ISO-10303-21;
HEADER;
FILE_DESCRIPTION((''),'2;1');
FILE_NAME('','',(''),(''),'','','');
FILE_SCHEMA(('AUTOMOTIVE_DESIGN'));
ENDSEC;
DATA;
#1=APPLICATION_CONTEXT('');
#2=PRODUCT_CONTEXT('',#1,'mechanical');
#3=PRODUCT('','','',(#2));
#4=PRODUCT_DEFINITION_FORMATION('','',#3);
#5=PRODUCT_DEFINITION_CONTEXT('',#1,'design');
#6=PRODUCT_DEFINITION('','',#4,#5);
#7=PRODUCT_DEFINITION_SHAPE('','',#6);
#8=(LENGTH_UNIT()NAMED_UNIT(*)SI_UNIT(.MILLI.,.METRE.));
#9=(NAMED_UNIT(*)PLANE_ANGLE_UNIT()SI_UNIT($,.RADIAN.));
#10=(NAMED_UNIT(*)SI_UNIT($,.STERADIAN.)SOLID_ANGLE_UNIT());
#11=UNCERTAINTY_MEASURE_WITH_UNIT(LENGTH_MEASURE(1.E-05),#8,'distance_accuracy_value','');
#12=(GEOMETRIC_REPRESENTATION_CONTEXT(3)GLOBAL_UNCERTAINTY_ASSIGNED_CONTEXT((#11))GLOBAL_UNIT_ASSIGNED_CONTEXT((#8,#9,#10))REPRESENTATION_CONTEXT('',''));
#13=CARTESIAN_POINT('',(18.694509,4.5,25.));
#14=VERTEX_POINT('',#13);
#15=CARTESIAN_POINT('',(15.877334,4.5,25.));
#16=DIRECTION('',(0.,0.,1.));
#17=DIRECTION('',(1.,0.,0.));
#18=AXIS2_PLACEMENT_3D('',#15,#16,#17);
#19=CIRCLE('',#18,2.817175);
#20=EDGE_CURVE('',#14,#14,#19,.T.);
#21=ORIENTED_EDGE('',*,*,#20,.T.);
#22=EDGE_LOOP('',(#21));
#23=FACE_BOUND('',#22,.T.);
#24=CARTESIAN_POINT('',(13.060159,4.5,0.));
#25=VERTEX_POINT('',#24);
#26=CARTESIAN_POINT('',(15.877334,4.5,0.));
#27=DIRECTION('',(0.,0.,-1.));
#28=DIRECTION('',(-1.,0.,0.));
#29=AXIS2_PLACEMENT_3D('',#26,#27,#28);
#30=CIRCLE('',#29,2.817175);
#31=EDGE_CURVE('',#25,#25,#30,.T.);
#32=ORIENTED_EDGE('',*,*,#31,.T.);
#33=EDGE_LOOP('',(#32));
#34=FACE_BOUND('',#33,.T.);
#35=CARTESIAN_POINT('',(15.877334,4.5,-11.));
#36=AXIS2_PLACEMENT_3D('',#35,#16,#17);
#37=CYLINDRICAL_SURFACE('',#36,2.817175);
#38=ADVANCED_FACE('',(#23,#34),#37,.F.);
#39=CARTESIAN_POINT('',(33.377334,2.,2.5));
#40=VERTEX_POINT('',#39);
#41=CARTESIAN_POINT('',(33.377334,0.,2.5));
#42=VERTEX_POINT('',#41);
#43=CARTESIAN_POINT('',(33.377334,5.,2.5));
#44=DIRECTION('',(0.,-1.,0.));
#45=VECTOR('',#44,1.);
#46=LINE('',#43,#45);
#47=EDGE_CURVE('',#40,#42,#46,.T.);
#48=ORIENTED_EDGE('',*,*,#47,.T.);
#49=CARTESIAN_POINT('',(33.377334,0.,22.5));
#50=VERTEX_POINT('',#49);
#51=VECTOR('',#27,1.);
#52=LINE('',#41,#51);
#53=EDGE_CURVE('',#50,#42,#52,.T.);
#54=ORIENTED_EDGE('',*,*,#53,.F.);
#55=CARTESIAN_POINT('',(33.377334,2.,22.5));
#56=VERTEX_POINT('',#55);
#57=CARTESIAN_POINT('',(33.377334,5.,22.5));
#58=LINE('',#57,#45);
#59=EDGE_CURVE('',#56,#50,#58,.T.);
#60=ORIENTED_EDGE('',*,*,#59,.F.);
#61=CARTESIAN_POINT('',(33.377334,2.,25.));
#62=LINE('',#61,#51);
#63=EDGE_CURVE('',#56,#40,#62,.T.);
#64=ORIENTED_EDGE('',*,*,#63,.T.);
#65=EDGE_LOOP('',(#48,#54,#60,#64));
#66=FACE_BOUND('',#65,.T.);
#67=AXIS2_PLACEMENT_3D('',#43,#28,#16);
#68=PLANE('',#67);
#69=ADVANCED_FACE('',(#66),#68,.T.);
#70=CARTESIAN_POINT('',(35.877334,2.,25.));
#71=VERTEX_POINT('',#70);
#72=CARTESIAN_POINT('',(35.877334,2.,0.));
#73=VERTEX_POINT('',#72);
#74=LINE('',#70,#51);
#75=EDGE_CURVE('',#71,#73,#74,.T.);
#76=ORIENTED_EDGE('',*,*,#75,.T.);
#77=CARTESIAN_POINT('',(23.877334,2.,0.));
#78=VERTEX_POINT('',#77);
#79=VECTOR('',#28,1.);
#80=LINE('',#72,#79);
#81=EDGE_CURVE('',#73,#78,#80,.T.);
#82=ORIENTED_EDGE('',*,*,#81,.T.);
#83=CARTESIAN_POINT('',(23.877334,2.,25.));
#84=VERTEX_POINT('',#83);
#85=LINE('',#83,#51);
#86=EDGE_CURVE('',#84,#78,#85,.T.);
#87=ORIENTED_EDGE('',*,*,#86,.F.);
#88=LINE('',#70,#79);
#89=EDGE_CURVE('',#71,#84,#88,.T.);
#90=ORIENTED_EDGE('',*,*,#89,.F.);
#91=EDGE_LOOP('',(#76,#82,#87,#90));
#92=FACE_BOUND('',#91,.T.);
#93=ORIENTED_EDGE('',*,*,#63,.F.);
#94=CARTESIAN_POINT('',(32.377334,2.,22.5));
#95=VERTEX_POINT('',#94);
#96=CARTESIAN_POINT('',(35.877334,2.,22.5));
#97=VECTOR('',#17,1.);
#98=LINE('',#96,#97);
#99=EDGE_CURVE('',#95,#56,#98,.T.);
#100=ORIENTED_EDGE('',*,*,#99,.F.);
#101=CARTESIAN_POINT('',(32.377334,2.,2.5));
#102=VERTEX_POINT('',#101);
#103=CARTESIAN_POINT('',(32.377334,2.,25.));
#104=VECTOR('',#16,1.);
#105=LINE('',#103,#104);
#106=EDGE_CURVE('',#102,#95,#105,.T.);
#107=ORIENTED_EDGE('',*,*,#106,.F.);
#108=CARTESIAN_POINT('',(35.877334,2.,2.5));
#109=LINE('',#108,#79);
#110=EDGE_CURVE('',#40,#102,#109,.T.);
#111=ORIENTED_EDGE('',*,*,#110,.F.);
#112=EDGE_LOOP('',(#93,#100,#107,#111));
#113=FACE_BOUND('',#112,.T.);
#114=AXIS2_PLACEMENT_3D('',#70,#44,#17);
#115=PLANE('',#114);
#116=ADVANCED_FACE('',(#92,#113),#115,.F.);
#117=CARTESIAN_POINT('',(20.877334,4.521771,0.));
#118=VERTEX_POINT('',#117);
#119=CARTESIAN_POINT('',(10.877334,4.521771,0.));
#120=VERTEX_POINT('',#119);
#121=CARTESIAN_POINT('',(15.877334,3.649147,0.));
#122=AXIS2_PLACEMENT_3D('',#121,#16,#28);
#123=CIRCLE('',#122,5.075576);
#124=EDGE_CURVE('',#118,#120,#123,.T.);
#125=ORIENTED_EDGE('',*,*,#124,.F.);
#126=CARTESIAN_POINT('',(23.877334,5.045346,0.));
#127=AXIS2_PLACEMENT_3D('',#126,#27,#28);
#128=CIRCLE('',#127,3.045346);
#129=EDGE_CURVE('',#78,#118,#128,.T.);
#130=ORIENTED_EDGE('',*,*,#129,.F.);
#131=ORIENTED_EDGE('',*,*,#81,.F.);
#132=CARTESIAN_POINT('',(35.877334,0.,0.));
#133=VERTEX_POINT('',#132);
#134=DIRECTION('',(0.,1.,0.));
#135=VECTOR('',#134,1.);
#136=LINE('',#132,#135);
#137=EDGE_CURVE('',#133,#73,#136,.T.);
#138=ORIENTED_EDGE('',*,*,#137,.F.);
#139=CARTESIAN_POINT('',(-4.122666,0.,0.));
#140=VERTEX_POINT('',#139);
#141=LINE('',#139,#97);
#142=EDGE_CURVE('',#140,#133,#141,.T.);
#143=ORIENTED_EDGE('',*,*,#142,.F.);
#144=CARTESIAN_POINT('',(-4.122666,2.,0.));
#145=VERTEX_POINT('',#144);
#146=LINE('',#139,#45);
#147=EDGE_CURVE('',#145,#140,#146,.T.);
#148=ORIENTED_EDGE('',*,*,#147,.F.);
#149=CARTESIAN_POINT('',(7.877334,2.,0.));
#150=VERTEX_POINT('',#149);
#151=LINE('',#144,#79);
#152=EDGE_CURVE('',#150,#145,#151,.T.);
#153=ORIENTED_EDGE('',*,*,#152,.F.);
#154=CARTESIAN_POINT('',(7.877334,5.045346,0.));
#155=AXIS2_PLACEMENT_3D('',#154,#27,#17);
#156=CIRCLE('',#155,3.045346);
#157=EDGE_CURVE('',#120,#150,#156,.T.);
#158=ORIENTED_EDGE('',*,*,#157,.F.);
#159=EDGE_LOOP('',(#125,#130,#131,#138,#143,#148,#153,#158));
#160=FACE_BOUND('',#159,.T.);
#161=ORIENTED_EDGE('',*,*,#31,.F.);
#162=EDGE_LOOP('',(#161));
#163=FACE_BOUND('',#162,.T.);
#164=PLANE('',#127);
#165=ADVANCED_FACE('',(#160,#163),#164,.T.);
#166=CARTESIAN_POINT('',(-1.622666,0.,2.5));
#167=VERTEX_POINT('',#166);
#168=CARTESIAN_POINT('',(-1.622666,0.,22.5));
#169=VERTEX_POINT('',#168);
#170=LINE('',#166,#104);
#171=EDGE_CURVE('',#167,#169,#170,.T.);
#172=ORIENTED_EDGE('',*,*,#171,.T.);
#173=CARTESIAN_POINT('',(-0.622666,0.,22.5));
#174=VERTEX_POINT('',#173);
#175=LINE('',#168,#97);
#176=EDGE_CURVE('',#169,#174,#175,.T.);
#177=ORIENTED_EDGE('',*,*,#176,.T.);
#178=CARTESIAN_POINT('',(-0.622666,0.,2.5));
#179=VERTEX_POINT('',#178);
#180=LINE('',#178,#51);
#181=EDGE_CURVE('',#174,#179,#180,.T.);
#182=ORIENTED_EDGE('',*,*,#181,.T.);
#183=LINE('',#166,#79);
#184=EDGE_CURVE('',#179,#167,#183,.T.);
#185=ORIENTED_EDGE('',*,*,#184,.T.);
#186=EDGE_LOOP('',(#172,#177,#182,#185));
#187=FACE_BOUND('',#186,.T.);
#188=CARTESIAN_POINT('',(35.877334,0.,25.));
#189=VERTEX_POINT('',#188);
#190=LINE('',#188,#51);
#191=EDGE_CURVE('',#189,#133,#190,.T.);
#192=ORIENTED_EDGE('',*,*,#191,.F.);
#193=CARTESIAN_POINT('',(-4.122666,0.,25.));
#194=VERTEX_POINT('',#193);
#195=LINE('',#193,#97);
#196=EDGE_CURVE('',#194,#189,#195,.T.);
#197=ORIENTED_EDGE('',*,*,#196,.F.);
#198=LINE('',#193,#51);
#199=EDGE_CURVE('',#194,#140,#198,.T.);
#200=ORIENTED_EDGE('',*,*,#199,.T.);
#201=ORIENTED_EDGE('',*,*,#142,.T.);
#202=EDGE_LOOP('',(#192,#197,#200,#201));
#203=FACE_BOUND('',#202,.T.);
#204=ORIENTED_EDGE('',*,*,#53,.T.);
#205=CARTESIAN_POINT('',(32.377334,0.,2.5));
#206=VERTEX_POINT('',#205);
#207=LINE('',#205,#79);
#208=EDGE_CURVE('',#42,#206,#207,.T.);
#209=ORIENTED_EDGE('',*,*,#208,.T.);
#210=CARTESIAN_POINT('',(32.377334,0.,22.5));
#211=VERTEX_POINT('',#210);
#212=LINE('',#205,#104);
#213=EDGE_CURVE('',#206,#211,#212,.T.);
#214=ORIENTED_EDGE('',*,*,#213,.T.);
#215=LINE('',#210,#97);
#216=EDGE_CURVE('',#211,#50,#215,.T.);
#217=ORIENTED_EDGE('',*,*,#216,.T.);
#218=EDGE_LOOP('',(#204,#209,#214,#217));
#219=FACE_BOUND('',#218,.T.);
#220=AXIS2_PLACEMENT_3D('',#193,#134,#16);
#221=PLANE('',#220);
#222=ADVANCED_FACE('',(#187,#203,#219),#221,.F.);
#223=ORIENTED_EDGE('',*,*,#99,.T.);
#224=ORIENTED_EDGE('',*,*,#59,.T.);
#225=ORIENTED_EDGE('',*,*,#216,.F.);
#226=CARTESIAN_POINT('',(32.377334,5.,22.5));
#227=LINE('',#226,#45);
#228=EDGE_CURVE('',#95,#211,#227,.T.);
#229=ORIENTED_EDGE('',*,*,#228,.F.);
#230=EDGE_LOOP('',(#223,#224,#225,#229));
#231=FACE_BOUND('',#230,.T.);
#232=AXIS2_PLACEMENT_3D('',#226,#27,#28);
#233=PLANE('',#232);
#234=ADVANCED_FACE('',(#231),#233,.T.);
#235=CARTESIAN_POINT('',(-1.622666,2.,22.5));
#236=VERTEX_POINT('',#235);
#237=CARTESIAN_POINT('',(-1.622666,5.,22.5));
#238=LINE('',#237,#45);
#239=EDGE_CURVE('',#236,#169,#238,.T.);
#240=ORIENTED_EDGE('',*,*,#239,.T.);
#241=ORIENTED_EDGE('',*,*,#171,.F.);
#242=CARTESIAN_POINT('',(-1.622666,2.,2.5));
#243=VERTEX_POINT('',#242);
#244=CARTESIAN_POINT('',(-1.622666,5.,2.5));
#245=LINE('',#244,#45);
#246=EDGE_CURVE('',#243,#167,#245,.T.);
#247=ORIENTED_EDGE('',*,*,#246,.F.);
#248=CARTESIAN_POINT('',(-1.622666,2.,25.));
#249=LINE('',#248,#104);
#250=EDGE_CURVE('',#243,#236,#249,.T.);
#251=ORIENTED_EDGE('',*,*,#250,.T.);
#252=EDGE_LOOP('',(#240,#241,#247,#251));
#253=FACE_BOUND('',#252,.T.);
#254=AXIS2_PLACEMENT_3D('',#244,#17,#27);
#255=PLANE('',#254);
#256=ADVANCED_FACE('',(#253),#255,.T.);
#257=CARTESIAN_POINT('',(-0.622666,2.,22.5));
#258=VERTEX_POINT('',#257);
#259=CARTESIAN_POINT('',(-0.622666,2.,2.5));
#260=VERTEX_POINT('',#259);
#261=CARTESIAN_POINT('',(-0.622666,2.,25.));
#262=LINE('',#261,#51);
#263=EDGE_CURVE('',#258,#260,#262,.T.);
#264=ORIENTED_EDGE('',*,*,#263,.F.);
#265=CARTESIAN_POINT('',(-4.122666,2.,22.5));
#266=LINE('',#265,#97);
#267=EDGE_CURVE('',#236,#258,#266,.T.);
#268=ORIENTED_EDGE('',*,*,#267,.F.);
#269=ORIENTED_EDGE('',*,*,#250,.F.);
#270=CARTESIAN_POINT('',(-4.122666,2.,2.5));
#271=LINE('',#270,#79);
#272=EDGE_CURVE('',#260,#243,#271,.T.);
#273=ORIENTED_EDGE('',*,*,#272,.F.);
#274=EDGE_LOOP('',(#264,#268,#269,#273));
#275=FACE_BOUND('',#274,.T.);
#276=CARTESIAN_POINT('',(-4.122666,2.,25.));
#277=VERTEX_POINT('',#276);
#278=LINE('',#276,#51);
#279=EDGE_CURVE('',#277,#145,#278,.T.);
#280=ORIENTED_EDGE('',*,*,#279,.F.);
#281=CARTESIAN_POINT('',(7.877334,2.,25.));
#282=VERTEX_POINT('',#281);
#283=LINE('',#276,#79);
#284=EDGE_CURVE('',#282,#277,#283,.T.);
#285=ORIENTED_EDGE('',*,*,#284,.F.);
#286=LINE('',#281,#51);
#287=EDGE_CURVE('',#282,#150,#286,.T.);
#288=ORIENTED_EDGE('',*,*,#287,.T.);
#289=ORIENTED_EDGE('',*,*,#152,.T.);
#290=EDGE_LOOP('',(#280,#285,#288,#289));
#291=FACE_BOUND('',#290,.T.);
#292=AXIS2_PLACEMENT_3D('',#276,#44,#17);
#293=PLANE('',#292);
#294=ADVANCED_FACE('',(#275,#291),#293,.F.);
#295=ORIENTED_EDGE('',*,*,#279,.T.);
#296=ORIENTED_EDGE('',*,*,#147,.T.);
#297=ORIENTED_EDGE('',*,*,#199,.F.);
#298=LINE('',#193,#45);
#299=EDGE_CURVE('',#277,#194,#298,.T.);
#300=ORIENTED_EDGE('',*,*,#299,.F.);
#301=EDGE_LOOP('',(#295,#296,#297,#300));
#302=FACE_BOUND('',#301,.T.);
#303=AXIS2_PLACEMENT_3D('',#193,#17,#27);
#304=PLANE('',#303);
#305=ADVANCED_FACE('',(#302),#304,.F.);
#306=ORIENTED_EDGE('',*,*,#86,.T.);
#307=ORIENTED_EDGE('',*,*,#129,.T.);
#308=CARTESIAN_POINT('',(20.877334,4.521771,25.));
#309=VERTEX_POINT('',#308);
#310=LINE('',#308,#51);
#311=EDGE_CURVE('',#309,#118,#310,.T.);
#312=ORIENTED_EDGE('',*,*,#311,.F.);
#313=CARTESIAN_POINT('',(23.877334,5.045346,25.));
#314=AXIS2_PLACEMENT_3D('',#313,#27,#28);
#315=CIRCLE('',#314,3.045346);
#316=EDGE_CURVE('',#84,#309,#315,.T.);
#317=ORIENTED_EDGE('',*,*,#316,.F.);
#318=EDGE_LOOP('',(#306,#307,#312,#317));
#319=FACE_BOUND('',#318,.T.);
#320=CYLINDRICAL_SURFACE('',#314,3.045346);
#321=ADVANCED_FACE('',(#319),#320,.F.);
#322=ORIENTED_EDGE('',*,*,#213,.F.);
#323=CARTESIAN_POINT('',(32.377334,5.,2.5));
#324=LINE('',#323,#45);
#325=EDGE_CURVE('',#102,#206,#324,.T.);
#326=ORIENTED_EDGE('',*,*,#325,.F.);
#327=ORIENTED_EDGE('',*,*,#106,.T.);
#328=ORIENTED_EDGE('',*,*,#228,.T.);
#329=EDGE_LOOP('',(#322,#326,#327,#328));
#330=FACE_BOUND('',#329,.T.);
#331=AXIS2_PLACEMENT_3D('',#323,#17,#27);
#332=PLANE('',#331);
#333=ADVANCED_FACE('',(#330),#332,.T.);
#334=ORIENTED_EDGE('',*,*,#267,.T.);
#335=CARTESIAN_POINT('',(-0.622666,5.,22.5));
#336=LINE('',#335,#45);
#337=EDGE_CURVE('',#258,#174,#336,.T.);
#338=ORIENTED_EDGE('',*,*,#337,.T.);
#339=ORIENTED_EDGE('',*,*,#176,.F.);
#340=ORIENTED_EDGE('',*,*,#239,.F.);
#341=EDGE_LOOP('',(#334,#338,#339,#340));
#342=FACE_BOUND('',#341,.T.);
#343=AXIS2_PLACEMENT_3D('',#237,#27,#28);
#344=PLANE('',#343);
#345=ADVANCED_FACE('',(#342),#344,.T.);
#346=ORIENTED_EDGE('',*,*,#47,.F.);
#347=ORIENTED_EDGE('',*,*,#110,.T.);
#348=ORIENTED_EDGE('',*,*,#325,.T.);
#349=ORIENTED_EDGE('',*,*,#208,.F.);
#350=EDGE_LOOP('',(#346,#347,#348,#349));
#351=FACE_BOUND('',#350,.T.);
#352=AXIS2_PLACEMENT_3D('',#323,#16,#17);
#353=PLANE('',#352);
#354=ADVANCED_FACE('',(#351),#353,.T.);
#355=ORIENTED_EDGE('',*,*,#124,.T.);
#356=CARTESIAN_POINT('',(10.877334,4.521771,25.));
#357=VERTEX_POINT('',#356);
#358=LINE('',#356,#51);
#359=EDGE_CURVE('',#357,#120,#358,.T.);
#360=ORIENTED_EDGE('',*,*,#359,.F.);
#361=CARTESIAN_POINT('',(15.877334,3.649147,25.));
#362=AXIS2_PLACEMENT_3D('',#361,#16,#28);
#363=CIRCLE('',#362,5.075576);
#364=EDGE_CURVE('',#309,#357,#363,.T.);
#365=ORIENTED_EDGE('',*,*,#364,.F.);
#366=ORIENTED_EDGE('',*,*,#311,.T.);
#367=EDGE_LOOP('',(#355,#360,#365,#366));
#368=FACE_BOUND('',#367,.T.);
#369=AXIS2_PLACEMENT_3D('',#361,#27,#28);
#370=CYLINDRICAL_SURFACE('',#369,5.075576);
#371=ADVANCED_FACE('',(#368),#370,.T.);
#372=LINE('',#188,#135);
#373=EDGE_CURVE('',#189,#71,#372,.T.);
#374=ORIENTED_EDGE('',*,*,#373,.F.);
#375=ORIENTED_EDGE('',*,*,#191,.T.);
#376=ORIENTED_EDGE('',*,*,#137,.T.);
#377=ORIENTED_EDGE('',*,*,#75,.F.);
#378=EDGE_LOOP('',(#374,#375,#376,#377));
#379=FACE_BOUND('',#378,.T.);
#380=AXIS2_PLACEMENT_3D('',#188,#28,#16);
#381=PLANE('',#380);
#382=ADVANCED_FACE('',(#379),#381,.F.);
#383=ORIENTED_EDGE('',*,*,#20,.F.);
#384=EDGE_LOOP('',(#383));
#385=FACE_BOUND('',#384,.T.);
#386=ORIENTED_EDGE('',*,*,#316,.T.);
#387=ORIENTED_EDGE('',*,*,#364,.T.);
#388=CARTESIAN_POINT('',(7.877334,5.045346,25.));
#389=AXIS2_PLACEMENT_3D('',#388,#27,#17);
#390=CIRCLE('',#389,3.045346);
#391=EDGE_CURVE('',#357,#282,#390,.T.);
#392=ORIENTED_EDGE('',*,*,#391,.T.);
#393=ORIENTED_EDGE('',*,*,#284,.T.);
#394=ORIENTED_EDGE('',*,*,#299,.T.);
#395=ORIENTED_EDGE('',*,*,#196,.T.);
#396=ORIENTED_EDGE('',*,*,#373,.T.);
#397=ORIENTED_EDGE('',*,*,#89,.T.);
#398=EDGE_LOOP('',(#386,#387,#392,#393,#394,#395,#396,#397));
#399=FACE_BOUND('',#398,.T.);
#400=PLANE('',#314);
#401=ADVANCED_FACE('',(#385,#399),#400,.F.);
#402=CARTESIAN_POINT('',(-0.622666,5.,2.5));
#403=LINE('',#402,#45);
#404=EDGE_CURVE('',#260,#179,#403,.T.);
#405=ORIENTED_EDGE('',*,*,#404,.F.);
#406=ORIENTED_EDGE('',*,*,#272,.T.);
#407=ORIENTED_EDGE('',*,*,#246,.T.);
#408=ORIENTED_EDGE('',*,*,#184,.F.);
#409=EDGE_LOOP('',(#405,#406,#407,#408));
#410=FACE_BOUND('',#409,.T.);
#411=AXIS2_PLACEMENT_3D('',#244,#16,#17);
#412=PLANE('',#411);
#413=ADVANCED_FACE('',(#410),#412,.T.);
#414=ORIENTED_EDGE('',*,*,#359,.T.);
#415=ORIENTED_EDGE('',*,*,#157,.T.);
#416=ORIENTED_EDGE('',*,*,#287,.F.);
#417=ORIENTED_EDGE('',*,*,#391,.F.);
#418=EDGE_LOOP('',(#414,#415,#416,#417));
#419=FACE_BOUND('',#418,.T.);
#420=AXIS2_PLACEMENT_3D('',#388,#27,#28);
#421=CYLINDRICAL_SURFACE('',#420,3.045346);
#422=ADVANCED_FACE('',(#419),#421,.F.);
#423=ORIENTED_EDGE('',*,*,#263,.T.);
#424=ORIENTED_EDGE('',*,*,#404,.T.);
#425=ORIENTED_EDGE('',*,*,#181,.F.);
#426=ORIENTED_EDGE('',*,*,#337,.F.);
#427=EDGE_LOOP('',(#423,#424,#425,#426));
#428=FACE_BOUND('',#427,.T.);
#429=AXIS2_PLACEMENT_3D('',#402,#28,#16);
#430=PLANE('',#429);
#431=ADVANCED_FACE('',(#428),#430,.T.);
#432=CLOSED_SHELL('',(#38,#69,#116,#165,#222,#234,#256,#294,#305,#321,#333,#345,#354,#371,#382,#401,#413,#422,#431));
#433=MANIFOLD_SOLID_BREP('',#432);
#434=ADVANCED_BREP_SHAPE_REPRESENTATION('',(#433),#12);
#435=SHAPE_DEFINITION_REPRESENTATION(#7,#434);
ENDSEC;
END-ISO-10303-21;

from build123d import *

# Parameters (mm, degrees)
BOSS_EXTRUDE2_DEPTH = 25
SKETCH3_W           = 1
SKETCH3_H           = 20
CUT_EXTRUDE2_DEPTH  = 5
SKETCH4_R           = 2.817174782
CUT_EXTRUDE3_DEPTH  = 36


with BuildPart() as part:
    # Sketch1 → Boss-Extrude2 (new body)
    with BuildSketch(Plane.XY):
        with BuildLine():
            Line((-4.122666018, 0), (-4.122666018, 2))
            Line((-4.122666018, 2), (7.877333982, 2))
            ThreePointArc((7.877333982, 2), (9.83688299, 2.714187595), (10.877333982, 4.521771056))
            ThreePointArc((10.877333982, 4.521771056), (15.877333982, 8.724722816), (20.877333982, 4.521771056))
            ThreePointArc((20.877333982, 4.521771056), (21.917784974, 2.714187595), (23.877333982, 2))
            Line((23.877333982, 2), (35.877333982, 2))
            Line((35.877333982, 2), (35.877333982, 0))
            Line((35.877333982, 0), (-4.122666018, 0))
        make_face()
    extrude(amount=BOSS_EXTRUDE2_DEPTH)

    # Sketch3 → Cut-Extrude2 (cut)
    with BuildSketch(Plane(origin=(0, 0, 0), x_dir=(1, 0, 0), z_dir=(0, 1, 0))):
        with Locations((-1.122666018, -12.5)):
            Rectangle(SKETCH3_W, SKETCH3_H)
        with Locations((32.877333982, -12.5)):
            Rectangle(SKETCH3_W, SKETCH3_H)
    extrude(amount=CUT_EXTRUDE2_DEPTH, mode=Mode.SUBTRACT)

    # Sketch4 → Cut-Extrude3 (cut)
    with BuildSketch(Plane.XY.offset(25)):
        with Locations((15.877333982, 4.5)):
            Circle(SKETCH4_R)
    extrude(amount=-CUT_EXTRUDE3_DEPTH, mode=Mode.SUBTRACT)


solid = part.part
